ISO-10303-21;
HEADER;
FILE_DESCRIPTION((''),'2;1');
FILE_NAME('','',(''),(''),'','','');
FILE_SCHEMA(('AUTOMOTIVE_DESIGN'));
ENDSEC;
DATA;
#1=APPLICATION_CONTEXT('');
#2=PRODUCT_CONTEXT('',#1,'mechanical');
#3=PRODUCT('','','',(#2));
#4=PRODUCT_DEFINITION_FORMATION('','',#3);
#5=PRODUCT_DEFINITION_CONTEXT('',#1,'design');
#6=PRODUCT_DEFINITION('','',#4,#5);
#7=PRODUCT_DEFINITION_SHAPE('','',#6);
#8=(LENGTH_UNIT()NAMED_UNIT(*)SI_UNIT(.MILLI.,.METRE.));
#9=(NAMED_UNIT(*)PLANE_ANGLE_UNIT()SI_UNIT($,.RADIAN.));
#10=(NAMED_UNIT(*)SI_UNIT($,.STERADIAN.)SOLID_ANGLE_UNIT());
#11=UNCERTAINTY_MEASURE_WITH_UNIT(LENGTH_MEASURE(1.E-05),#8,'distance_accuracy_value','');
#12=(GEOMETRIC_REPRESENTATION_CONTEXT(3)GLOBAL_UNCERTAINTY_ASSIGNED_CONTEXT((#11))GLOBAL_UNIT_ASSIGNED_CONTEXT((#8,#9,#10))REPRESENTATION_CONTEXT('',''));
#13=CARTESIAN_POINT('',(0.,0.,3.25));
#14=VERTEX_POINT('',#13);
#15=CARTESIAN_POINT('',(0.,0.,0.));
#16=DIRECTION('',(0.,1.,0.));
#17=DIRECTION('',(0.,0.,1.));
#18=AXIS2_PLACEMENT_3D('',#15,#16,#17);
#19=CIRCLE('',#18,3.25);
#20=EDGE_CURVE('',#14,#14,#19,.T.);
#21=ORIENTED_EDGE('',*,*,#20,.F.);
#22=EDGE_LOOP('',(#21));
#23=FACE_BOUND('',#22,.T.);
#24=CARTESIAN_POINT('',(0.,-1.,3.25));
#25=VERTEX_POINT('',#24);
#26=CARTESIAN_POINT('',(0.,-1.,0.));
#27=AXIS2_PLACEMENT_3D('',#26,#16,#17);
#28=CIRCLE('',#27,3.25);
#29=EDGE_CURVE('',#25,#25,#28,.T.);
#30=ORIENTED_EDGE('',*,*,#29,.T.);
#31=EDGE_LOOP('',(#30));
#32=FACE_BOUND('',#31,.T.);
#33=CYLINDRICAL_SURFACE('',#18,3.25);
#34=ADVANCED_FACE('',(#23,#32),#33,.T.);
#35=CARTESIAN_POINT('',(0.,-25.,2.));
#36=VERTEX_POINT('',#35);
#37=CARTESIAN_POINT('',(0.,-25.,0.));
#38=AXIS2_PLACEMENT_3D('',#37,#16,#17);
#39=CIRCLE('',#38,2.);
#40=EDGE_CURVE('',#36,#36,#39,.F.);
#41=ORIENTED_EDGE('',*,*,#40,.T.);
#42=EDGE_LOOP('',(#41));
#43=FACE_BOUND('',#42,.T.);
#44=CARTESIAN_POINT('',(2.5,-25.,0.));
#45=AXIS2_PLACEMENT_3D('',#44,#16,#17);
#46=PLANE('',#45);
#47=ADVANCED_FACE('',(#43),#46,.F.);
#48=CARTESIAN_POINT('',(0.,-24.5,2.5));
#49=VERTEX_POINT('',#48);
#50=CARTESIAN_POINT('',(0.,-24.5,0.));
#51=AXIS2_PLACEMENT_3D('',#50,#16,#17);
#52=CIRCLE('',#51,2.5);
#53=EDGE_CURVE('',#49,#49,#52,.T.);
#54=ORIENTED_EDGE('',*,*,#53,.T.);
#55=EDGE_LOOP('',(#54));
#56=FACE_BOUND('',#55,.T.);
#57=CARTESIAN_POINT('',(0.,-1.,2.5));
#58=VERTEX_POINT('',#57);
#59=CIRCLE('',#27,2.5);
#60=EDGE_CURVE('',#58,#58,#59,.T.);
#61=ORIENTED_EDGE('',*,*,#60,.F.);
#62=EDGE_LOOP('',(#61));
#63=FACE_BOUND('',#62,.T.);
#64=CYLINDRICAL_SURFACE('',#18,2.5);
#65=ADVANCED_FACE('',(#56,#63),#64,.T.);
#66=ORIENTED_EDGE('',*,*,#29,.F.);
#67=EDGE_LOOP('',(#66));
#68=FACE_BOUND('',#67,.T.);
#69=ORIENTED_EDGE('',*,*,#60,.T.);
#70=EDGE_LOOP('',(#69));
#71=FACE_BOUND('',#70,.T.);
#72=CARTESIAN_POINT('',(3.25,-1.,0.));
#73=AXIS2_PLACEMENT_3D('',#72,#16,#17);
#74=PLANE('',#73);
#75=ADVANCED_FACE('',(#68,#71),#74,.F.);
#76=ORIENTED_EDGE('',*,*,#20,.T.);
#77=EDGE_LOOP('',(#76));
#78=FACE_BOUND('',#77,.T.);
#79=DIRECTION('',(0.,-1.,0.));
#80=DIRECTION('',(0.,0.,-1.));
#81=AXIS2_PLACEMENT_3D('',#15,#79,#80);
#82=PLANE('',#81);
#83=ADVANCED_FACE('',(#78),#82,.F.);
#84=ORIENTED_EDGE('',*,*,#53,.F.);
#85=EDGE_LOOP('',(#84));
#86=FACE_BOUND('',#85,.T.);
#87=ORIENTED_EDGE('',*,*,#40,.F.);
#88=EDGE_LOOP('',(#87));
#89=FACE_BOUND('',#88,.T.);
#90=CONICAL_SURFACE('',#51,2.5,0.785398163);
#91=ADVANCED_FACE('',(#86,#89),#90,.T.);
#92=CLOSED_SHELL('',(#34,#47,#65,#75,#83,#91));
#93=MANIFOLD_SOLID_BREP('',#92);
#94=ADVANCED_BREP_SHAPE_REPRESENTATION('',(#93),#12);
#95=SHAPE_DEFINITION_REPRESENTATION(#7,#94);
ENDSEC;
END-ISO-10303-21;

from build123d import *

# Parameters (mm, degrees)
CHAFL_N1_SIZE = 0.5


with BuildPart() as part:
    # Croquis1 → Revolución1 (revolve)
    with BuildSketch(Plane.XY, mode=Mode.PRIVATE) as revoluci_n1_sk:
        Polygon((0, 0), (3.25, 0), (3.25, -1), (2.5, -1), (2.5, -25), (0, -25), align=None)
    revolve(revoluci_n1_sk.sketch.rotate(Axis((0, 0, 0), (0, -1, 0)), 90), axis=Axis((0, 0, 0), (0, -1, 0)))

    # Chaflán1
    chafl_n1_edges = [part.edges().sort_by_distance(p)[0] for p in [
        (0, -25, -2.5),
    ]]
    chamfer(chafl_n1_edges, length=CHAFL_N1_SIZE)


solid = part.part
